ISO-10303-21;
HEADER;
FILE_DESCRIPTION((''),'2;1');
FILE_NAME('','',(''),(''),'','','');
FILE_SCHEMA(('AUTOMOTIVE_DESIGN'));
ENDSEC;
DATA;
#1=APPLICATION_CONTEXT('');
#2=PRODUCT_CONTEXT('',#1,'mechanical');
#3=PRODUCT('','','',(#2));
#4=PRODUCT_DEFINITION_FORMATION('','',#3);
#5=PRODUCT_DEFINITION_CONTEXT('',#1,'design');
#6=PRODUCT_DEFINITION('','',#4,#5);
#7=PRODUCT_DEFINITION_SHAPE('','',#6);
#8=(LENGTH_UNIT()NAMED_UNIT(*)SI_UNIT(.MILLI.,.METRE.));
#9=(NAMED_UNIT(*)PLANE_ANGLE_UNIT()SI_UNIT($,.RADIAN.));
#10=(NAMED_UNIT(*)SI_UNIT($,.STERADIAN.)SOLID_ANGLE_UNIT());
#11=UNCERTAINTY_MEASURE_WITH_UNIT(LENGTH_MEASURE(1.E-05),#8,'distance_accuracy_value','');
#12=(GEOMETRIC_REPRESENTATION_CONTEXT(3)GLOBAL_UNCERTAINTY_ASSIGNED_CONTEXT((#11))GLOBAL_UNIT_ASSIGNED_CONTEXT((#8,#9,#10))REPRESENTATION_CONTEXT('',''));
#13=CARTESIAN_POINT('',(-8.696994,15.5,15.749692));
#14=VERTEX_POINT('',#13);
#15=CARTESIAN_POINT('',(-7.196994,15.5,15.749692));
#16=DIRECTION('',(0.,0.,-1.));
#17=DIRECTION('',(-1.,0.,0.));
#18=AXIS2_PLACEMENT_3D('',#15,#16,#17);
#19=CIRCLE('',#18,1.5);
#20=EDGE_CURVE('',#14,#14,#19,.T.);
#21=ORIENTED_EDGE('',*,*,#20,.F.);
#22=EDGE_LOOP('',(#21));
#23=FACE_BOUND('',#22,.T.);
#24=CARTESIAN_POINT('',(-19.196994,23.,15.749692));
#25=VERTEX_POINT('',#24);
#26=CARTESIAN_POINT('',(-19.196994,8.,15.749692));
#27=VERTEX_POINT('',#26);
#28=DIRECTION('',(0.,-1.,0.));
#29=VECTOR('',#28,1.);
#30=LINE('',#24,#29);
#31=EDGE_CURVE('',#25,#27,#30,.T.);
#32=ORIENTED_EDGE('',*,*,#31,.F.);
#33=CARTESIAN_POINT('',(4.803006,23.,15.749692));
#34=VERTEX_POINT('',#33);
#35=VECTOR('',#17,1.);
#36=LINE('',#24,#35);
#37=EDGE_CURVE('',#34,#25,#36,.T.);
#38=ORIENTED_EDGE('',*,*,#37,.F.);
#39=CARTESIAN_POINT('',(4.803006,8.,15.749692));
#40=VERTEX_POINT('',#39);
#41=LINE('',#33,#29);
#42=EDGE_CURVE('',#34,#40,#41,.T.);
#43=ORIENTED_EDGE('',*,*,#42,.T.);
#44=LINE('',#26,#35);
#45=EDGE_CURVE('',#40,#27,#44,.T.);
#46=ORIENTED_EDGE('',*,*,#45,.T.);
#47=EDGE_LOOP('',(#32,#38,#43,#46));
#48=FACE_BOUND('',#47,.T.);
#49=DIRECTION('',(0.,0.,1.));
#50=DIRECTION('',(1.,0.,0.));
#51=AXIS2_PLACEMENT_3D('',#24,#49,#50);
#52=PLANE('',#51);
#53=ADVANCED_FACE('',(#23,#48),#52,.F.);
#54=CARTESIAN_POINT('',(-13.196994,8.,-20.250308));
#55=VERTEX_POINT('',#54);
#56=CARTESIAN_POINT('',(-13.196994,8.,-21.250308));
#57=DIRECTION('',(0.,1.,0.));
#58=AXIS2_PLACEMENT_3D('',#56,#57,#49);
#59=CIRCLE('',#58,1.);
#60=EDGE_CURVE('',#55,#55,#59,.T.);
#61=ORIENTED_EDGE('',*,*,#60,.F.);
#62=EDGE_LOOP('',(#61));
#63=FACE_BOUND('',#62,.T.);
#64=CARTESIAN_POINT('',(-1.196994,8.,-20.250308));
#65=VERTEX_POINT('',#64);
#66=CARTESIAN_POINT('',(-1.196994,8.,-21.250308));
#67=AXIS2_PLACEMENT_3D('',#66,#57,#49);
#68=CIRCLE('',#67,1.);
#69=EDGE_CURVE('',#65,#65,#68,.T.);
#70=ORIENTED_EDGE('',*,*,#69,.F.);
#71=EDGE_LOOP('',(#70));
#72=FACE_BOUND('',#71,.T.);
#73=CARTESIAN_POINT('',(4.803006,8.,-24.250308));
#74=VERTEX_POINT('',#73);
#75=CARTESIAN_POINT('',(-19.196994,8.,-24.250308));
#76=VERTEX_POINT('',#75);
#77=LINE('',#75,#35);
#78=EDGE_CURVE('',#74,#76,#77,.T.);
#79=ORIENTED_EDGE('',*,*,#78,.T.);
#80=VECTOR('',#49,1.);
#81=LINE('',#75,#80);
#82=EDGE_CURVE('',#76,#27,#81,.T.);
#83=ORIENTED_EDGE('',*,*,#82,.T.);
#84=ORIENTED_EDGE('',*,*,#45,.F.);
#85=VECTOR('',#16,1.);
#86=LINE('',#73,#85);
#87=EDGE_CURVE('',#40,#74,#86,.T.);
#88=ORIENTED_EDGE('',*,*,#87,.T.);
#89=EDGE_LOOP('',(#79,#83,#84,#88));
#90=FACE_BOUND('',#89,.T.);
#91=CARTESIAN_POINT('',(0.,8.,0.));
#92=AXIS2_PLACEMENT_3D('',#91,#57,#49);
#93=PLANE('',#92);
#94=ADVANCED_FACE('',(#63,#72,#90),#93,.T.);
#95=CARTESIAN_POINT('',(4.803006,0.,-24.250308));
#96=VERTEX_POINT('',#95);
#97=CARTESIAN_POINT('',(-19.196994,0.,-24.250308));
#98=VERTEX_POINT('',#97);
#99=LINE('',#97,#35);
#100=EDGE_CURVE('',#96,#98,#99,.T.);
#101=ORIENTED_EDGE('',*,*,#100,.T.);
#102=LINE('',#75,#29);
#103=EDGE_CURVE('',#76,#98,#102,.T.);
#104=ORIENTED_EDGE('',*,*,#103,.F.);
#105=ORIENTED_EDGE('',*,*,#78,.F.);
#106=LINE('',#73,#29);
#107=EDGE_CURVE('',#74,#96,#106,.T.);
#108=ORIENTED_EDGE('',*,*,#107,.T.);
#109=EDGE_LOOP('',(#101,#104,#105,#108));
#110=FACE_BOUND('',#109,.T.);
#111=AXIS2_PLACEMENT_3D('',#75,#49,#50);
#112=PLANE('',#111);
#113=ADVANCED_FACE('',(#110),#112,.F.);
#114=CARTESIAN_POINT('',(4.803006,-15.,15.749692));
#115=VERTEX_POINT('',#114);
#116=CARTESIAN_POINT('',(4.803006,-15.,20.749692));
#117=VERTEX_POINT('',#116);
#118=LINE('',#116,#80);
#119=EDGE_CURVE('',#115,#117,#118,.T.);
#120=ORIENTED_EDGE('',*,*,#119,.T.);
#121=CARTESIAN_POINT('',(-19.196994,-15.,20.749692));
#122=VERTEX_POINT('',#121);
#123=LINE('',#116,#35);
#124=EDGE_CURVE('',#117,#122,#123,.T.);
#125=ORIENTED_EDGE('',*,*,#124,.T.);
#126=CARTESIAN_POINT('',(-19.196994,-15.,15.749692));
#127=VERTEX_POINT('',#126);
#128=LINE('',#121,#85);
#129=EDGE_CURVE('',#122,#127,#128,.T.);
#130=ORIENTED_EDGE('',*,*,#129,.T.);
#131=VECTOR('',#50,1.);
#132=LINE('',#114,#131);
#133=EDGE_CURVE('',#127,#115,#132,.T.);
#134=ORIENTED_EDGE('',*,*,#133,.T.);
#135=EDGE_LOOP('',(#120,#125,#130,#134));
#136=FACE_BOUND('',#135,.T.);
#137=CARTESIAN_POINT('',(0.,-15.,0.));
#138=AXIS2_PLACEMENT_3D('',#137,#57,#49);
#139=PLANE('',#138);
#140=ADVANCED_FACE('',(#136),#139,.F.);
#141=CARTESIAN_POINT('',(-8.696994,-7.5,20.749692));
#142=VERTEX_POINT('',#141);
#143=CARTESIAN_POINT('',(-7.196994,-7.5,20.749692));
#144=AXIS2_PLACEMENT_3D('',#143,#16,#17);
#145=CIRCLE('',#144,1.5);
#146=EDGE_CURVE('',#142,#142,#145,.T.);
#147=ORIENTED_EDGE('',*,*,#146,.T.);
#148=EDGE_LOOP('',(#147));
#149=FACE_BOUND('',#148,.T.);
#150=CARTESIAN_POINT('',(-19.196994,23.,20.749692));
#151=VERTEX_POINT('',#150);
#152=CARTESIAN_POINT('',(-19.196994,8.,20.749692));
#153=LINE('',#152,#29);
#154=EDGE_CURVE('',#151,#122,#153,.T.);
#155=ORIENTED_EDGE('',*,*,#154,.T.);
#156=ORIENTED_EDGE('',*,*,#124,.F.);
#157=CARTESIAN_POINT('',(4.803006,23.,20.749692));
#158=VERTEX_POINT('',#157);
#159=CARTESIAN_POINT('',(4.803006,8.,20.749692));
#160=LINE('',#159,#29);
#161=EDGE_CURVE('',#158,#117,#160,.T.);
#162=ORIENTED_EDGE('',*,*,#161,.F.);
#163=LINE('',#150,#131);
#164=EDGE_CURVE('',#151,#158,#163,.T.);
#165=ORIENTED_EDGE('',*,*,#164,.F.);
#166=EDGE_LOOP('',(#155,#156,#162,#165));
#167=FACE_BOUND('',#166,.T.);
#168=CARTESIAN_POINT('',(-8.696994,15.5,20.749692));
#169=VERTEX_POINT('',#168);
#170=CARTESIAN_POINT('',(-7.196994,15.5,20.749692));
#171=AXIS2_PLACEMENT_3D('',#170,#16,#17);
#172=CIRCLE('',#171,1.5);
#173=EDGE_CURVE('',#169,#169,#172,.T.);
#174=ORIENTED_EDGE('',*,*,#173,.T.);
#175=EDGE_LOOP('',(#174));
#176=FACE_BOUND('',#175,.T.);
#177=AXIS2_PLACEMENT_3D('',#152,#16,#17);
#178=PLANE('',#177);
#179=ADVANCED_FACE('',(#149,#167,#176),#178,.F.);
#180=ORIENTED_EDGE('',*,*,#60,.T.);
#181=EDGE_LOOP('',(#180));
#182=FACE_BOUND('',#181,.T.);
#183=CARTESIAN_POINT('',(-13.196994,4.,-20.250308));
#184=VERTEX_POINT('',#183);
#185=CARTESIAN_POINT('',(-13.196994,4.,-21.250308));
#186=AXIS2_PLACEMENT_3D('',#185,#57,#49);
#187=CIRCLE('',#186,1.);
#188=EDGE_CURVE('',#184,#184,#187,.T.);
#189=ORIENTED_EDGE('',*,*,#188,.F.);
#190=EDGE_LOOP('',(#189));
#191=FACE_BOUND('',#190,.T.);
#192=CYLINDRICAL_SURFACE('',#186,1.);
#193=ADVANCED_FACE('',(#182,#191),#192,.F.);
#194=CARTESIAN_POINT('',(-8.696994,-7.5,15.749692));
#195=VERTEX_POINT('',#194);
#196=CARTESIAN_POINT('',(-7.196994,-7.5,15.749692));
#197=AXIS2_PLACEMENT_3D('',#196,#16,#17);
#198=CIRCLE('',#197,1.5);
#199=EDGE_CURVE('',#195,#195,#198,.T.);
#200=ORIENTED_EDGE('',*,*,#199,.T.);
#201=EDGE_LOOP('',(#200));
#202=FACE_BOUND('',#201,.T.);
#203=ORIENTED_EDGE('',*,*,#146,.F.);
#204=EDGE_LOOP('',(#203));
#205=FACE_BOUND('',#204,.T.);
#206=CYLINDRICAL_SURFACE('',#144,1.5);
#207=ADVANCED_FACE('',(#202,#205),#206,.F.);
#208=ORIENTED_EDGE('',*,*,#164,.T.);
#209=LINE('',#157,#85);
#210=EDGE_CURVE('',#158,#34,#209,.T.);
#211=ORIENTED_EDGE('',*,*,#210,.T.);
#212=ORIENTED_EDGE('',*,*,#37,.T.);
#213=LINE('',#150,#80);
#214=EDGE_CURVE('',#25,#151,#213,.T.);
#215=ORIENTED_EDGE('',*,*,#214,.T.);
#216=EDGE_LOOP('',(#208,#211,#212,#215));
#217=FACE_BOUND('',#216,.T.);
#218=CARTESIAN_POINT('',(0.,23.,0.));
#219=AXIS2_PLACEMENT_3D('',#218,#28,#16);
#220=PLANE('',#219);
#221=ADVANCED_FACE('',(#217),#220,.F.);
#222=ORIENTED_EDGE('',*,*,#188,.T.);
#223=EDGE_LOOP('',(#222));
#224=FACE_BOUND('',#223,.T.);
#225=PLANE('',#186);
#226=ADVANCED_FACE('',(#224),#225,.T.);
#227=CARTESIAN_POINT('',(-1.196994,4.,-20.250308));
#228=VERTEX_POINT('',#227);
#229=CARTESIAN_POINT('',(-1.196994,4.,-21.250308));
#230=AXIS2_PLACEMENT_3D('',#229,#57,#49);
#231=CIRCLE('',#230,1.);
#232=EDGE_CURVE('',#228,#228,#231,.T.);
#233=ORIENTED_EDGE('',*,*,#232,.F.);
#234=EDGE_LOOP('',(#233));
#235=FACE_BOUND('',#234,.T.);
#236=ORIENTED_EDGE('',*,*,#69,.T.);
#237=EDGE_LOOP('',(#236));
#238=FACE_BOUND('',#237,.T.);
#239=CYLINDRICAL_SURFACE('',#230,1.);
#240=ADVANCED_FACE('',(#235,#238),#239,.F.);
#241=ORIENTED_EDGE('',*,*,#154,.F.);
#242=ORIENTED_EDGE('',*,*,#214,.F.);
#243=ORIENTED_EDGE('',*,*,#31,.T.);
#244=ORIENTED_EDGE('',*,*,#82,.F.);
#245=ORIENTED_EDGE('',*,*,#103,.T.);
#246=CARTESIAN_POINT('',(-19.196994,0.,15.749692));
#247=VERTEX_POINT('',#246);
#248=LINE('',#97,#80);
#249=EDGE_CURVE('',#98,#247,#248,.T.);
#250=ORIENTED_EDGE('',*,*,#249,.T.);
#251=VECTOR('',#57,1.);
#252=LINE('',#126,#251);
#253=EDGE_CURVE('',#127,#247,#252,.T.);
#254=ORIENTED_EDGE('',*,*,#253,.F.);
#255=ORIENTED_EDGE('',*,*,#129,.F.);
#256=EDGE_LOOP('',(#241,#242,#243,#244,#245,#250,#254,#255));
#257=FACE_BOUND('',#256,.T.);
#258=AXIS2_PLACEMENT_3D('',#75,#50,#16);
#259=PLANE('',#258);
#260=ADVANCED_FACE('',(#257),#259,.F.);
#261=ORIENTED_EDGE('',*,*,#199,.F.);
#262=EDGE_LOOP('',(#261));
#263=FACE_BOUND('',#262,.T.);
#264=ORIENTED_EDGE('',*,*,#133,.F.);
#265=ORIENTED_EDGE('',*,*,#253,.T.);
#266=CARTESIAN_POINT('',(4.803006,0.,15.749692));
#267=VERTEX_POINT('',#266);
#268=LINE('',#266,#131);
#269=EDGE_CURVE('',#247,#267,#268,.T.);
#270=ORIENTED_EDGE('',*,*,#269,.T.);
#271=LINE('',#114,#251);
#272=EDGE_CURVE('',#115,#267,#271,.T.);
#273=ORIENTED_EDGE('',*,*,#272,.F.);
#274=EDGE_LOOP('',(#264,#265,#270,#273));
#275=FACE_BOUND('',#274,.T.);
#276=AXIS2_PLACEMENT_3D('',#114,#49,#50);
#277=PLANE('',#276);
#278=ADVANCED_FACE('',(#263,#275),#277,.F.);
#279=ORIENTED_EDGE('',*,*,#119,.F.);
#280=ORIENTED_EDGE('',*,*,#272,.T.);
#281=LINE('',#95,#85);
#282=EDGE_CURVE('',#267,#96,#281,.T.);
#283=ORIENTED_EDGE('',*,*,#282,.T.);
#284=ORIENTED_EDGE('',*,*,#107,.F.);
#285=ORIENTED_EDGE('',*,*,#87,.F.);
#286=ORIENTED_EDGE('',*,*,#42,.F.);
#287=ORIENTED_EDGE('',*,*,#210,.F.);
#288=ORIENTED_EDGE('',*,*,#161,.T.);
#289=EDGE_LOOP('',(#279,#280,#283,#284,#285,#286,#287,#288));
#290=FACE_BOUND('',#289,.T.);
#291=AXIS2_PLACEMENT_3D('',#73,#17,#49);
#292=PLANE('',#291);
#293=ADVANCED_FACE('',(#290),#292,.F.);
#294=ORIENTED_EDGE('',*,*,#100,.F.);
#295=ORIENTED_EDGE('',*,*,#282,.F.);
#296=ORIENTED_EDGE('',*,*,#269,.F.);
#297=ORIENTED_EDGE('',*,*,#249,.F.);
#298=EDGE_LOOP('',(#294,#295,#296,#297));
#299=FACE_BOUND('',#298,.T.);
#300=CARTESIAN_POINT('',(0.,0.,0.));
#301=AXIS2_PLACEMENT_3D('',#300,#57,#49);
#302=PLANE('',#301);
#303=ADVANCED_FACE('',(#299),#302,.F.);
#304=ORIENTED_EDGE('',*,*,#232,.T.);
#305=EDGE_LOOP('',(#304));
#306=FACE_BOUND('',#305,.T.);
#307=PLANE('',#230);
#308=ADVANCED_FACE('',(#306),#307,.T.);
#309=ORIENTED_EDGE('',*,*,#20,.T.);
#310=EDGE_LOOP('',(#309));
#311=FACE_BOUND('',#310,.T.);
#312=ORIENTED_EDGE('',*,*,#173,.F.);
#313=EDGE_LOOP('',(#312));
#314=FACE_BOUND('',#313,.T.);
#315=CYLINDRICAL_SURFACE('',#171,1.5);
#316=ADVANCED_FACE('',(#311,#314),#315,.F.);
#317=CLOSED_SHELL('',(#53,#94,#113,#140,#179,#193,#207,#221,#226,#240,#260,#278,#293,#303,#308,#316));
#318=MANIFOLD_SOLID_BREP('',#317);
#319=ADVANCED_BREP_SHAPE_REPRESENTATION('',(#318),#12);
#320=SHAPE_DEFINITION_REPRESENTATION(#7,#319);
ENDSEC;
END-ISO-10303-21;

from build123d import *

# Parameters (mm, degrees)
SKETCH2_W           = 24
SKETCH2_H           = 45
BOSS_EXTRUDE1_DEPTH = 8
SKETCH5_W           = 24
SKETCH5_H           = 5
BOSS_EXTRUDE2_DEPTH = 15
SKETCH6_W           = 24
SKETCH6_H           = 5
BOSS_EXTRUDE3_DEPTH = 15
SKETCH7_R           = 1.5
CUT_EXTRUDE1_DEPTH  = 5
SKETCH8_R           = 1
CUT_EXTRUDE2_DEPTH  = 4


with BuildPart() as part:
    # Sketch2 → Boss-Extrude1 (new body)
    with BuildSketch(Plane(origin=(0, 0, 0), x_dir=(1, 0, 0), z_dir=(0, 1, 0))):
        with Locations((-7.196993829, 1.750308141)):
            Rectangle(SKETCH2_W, SKETCH2_H)
    extrude(amount=BOSS_EXTRUDE1_DEPTH)

    # Sketch5 → Boss-Extrude2 (add)
    with BuildSketch(Plane(origin=(0, 8, 0), x_dir=(1, 0, 0), z_dir=(0, 1, 0))):
        with Locations((-7.196993829, -18.249691859)):
            Rectangle(SKETCH5_W, SKETCH5_H)
    extrude(amount=BOSS_EXTRUDE2_DEPTH)

    # Sketch6 → Boss-Extrude3 (add)
    with BuildSketch(Plane.XZ):
        with Locations((-7.196993829, 18.249691859)):
            Rectangle(SKETCH6_W, SKETCH6_H)
    extrude(amount=BOSS_EXTRUDE3_DEPTH)

    # Sketch7 → Cut-Extrude1 (cut)
    with BuildSketch(Plane(origin=(0, 0, 15.749691859), x_dir=(-1, 0, 0), z_dir=(0, 0, -1))):
        with Locations((7.196993829, 15.5)):
            Circle(SKETCH7_R)
        with Locations((7.196993829, -7.5)):
            Circle(SKETCH7_R)
    extrude(amount=-CUT_EXTRUDE1_DEPTH, mode=Mode.SUBTRACT)

    # Sketch8 → Cut-Extrude2 (cut)
    with BuildSketch(Plane(origin=(0, 8, 0), x_dir=(1, 0, 0), z_dir=(0, 1, 0))):
        with Locations((-13.196993829, 21.250308141)):
            Circle(SKETCH8_R)
        with Locations((-1.196993829, 21.250308141)):
            Circle(SKETCH8_R)
    extrude(amount=-CUT_EXTRUDE2_DEPTH, mode=Mode.SUBTRACT)


solid = part.part
